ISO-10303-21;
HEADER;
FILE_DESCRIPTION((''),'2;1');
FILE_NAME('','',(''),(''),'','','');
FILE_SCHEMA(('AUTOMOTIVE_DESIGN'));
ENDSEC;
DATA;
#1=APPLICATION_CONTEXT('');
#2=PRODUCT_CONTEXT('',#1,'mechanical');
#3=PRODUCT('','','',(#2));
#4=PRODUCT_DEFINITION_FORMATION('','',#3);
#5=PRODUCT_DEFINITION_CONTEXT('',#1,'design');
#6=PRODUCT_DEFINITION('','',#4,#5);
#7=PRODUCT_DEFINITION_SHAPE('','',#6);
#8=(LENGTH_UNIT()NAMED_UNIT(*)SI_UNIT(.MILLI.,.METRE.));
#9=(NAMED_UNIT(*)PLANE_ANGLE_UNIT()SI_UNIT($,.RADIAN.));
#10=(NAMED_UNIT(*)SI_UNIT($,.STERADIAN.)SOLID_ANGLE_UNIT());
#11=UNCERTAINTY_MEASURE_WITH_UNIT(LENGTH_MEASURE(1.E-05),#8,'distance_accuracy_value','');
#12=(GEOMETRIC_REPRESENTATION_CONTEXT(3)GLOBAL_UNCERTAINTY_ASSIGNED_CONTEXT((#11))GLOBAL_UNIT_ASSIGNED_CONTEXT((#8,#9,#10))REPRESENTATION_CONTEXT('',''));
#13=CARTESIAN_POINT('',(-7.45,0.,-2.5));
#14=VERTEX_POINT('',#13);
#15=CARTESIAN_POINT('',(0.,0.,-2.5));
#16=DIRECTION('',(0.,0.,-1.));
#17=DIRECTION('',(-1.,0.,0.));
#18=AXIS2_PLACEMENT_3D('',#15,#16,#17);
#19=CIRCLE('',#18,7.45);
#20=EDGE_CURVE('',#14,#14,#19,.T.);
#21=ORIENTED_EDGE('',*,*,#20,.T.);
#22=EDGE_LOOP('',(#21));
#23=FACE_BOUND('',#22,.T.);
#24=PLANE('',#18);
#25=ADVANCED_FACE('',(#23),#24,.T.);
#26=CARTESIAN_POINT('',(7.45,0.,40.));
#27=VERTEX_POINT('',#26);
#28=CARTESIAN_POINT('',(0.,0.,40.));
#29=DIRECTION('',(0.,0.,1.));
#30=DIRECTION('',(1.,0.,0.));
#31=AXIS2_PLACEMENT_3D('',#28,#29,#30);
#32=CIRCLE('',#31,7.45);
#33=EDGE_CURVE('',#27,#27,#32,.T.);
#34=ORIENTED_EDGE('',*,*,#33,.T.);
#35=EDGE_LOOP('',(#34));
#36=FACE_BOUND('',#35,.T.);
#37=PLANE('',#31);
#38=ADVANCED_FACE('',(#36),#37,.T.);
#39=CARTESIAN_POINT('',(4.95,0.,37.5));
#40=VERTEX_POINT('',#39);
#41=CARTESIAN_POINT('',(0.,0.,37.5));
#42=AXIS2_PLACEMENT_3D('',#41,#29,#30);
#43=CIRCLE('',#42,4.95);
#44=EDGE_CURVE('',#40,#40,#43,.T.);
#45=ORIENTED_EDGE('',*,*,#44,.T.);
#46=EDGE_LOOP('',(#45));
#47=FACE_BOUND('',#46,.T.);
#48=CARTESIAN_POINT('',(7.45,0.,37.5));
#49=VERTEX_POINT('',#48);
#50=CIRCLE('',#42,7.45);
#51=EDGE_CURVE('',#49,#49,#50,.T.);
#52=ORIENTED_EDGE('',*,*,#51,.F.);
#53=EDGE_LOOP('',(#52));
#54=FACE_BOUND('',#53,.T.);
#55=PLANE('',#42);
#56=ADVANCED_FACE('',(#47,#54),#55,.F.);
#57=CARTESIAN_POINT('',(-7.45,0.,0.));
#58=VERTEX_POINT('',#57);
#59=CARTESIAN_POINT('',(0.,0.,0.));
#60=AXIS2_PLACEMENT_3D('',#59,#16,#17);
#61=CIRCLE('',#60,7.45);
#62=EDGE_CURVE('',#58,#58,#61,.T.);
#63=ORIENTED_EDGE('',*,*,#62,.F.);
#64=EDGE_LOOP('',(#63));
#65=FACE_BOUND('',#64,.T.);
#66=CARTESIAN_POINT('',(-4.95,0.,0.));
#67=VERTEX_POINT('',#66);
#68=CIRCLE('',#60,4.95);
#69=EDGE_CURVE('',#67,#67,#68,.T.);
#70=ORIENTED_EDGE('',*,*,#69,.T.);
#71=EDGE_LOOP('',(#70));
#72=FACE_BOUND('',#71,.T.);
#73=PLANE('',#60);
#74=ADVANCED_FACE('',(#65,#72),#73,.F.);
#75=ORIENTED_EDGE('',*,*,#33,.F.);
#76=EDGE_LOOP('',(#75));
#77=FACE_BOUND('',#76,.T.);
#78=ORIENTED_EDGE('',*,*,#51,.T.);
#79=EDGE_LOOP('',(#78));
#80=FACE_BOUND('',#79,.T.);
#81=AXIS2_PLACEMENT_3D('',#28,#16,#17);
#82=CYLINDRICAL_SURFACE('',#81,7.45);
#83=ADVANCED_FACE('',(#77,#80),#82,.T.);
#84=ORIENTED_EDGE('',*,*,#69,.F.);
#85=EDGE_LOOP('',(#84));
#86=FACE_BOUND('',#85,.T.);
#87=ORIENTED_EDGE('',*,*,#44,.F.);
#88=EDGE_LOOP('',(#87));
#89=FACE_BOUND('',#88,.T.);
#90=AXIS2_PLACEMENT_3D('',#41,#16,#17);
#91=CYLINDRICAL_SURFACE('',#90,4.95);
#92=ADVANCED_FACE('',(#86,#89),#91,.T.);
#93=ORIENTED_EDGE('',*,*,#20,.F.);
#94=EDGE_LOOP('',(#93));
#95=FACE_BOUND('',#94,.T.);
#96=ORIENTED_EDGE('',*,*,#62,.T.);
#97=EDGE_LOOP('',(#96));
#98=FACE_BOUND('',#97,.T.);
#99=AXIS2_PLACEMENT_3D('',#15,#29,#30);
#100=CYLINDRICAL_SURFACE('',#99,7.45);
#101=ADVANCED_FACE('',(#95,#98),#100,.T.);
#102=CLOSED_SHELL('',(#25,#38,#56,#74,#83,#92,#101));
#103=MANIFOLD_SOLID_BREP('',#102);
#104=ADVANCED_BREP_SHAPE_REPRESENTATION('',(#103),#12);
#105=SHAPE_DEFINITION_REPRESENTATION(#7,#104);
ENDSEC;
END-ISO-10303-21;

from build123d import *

# Parameters (mm, degrees)
SKETCH1_R           = 4.95
BOSS_EXTRUDE1_DEPTH = 37.5
SKETCH2_R           = 7.45
BOSS_EXTRUDE2_DEPTH = 2.5
SKETCH3_R           = 7.45
BOSS_EXTRUDE3_DEPTH = 2.5


with BuildPart() as part:
    # Sketch1 → Boss-Extrude1 (new body)
    with BuildSketch(Plane.XY):
        Circle(SKETCH1_R)
    extrude(amount=BOSS_EXTRUDE1_DEPTH)

    # Sketch2 → Boss-Extrude2 (add)
    with BuildSketch(Plane(origin=(0, 0, 0), x_dir=(-1, 0, 0), z_dir=(0, 0, -1))):
        Circle(SKETCH2_R)
    extrude(amount=BOSS_EXTRUDE2_DEPTH)

    # Sketch3 → Boss-Extrude3 (add)
    with BuildSketch(Plane.XY.offset(37.5)):
        Circle(SKETCH3_R)
    extrude(amount=BOSS_EXTRUDE3_DEPTH)


solid = part.part
